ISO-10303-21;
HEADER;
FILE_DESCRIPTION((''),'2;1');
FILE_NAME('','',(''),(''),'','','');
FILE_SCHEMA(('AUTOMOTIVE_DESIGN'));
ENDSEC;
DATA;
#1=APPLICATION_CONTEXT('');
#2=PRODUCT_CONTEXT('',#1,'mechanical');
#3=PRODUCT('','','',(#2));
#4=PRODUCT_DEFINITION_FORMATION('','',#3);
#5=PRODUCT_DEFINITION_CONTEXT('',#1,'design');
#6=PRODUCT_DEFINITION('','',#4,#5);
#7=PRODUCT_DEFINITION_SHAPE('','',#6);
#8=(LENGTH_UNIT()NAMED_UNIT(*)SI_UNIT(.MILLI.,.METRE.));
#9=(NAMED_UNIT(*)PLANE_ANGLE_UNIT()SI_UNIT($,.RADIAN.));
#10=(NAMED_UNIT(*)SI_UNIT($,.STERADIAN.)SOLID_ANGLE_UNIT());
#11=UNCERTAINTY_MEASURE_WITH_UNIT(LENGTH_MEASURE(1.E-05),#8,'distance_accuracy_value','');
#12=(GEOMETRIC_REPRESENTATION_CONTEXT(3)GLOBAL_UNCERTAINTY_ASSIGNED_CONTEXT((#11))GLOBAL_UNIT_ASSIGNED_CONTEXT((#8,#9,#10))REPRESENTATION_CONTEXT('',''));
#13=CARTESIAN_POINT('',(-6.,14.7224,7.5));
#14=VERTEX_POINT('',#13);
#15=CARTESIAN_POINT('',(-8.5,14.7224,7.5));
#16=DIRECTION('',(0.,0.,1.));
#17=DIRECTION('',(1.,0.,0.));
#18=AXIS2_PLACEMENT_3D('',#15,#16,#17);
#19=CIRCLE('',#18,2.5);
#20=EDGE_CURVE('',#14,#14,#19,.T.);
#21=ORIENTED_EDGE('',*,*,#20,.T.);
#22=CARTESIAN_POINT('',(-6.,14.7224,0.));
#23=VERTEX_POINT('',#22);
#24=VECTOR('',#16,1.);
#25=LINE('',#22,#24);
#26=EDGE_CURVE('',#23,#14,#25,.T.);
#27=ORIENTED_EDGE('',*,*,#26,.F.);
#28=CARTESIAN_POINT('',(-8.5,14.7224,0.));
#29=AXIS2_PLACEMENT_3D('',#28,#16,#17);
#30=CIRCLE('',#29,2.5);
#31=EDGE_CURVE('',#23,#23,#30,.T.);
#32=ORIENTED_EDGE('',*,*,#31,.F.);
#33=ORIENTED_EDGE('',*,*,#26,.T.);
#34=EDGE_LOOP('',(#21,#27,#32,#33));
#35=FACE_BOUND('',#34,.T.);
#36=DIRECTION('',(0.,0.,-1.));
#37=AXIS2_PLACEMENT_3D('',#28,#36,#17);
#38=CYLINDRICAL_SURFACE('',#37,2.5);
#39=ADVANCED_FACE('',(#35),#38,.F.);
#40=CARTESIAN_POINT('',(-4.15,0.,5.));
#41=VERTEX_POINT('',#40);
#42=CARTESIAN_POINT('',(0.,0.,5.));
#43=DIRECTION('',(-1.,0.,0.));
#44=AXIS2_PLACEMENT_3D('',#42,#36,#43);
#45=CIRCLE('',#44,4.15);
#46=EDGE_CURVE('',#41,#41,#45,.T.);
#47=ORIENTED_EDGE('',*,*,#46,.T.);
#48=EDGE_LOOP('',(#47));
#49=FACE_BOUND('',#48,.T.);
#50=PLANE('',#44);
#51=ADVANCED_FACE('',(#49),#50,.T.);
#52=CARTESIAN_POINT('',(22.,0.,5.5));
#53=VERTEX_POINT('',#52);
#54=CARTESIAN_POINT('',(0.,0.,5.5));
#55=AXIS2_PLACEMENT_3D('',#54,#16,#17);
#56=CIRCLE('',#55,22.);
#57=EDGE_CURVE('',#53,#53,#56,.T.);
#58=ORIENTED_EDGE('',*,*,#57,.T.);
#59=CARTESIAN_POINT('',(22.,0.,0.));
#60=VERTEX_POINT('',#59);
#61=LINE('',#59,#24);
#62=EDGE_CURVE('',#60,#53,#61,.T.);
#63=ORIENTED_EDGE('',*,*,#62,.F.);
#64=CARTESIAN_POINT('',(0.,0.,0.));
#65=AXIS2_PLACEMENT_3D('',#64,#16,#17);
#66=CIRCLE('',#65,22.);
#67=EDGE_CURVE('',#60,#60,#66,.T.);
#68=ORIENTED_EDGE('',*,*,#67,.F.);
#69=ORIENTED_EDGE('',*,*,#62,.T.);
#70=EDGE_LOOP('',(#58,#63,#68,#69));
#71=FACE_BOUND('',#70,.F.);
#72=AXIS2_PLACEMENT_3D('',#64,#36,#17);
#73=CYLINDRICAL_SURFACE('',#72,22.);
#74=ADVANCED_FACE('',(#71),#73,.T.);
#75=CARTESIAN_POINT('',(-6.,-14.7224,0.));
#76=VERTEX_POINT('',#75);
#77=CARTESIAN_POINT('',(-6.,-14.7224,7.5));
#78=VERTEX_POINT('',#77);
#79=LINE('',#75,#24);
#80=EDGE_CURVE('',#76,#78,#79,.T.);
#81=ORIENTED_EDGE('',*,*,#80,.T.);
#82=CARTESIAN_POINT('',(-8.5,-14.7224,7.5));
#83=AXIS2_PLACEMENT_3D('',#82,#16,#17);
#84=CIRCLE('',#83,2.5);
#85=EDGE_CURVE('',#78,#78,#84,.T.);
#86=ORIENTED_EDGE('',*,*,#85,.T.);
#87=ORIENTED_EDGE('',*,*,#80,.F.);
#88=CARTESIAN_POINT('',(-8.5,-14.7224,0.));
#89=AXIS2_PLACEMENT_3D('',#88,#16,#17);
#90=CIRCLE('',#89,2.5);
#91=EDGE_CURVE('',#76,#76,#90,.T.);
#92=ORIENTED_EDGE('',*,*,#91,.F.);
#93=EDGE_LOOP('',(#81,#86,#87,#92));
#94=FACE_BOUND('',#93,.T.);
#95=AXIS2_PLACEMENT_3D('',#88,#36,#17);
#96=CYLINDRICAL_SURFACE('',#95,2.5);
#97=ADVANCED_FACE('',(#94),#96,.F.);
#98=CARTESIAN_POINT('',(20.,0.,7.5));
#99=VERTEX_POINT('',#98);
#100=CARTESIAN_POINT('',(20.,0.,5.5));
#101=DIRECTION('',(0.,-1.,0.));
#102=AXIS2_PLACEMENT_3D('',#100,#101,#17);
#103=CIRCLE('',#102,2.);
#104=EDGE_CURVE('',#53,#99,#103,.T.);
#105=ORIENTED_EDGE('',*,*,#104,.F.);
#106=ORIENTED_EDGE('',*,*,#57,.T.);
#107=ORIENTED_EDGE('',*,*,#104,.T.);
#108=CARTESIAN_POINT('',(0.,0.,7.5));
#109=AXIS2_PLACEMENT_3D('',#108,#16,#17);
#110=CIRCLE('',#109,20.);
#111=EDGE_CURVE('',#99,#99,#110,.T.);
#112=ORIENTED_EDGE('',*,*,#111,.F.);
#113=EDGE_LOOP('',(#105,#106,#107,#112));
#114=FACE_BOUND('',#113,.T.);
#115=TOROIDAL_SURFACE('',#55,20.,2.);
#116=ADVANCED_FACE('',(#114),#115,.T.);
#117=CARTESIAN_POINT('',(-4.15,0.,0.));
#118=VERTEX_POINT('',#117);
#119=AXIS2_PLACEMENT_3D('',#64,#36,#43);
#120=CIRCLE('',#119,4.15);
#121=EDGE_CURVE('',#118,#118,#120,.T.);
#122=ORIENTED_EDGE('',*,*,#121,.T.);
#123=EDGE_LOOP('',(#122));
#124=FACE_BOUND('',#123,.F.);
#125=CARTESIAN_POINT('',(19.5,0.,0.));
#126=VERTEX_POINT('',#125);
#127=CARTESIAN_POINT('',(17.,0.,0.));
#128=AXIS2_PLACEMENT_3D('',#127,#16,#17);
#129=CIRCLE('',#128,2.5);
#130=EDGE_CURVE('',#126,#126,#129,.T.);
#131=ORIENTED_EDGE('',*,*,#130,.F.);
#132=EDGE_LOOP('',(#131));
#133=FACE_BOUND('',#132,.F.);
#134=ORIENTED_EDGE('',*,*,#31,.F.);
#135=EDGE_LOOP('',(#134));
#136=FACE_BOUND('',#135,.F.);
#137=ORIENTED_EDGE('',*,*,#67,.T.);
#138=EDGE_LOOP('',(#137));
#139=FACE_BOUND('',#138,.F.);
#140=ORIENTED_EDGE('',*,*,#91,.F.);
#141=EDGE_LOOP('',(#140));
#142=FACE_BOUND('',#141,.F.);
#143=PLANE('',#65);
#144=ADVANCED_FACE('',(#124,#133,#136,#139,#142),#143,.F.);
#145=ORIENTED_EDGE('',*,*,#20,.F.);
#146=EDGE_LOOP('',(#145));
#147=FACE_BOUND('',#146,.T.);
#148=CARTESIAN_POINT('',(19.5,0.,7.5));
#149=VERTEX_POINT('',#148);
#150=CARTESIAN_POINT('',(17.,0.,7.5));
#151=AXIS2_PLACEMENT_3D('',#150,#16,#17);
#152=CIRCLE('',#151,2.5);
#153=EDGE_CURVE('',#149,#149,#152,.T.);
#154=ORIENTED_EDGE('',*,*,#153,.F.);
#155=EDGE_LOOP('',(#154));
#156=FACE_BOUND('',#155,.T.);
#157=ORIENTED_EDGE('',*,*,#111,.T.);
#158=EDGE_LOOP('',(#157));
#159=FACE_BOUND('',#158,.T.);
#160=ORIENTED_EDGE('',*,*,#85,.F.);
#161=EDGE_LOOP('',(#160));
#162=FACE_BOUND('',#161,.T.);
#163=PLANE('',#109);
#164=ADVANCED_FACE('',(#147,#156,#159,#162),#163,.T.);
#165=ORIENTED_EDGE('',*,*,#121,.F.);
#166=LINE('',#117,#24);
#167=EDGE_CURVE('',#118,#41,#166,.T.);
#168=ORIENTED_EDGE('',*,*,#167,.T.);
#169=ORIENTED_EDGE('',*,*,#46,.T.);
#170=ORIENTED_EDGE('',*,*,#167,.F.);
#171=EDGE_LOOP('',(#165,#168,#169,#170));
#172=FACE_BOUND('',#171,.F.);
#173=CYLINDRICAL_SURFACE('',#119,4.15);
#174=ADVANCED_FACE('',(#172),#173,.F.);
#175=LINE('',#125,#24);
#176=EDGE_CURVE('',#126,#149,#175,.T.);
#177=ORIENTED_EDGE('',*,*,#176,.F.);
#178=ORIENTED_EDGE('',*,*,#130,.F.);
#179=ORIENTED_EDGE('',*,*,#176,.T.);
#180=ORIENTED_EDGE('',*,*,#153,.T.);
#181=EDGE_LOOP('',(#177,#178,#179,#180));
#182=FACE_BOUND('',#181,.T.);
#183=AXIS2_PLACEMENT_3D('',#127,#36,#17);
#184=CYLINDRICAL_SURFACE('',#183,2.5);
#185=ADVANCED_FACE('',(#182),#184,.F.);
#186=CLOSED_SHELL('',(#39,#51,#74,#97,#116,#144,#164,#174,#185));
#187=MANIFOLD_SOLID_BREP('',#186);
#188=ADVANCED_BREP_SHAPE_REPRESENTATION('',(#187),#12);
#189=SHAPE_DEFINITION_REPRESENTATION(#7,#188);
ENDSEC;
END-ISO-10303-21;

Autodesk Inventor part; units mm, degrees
ref_plane "YZ Plane" through (0, 0, 0) normal (1, 0, 0) x (0, 1, 0)
ref_plane "XZ Plane" through (0, 0, 0) normal (0, 1, 0) x (-1, 0, 0)
ref_plane "XY Plane" through (0, 0, 0) normal (0, 0, 1) x (1, 0, 0)
sketch "Sketch1" plane through (0, 0, 0) normal (0, 0, 1) x (1, 0, 0)
  circle A0 centre (0, 0) radius 22
  circle A1 centre (17, 0) radius 2.5
  circle A2 centre (-8.5, 14.7224) radius 2.5
  circle A3 centre (-8.5, -14.7224) radius 2.5
  dimension "d0" = 44
  dimension "d1" = 5
  dimension "d2" = 17
  dimension "d5" = 360
extrude "Extrusion1" add sketch "Sketch1" along normal blind 7.5
fillet "Fillet1" radius 2 1 edges at (-22, 0, 7.5)
sketch "Sketch2" plane through (0, 0, 0) normal (0, 0, -1) x (-1, 0, 0)
  circle A0 centre (0, 0) radius 4.15
  dimension "d10" = 8.3
extrude "Extrusion2" cut sketch "Sketch2" against normal blind 5
properties part number "AA014" material "ABS Plastic"
